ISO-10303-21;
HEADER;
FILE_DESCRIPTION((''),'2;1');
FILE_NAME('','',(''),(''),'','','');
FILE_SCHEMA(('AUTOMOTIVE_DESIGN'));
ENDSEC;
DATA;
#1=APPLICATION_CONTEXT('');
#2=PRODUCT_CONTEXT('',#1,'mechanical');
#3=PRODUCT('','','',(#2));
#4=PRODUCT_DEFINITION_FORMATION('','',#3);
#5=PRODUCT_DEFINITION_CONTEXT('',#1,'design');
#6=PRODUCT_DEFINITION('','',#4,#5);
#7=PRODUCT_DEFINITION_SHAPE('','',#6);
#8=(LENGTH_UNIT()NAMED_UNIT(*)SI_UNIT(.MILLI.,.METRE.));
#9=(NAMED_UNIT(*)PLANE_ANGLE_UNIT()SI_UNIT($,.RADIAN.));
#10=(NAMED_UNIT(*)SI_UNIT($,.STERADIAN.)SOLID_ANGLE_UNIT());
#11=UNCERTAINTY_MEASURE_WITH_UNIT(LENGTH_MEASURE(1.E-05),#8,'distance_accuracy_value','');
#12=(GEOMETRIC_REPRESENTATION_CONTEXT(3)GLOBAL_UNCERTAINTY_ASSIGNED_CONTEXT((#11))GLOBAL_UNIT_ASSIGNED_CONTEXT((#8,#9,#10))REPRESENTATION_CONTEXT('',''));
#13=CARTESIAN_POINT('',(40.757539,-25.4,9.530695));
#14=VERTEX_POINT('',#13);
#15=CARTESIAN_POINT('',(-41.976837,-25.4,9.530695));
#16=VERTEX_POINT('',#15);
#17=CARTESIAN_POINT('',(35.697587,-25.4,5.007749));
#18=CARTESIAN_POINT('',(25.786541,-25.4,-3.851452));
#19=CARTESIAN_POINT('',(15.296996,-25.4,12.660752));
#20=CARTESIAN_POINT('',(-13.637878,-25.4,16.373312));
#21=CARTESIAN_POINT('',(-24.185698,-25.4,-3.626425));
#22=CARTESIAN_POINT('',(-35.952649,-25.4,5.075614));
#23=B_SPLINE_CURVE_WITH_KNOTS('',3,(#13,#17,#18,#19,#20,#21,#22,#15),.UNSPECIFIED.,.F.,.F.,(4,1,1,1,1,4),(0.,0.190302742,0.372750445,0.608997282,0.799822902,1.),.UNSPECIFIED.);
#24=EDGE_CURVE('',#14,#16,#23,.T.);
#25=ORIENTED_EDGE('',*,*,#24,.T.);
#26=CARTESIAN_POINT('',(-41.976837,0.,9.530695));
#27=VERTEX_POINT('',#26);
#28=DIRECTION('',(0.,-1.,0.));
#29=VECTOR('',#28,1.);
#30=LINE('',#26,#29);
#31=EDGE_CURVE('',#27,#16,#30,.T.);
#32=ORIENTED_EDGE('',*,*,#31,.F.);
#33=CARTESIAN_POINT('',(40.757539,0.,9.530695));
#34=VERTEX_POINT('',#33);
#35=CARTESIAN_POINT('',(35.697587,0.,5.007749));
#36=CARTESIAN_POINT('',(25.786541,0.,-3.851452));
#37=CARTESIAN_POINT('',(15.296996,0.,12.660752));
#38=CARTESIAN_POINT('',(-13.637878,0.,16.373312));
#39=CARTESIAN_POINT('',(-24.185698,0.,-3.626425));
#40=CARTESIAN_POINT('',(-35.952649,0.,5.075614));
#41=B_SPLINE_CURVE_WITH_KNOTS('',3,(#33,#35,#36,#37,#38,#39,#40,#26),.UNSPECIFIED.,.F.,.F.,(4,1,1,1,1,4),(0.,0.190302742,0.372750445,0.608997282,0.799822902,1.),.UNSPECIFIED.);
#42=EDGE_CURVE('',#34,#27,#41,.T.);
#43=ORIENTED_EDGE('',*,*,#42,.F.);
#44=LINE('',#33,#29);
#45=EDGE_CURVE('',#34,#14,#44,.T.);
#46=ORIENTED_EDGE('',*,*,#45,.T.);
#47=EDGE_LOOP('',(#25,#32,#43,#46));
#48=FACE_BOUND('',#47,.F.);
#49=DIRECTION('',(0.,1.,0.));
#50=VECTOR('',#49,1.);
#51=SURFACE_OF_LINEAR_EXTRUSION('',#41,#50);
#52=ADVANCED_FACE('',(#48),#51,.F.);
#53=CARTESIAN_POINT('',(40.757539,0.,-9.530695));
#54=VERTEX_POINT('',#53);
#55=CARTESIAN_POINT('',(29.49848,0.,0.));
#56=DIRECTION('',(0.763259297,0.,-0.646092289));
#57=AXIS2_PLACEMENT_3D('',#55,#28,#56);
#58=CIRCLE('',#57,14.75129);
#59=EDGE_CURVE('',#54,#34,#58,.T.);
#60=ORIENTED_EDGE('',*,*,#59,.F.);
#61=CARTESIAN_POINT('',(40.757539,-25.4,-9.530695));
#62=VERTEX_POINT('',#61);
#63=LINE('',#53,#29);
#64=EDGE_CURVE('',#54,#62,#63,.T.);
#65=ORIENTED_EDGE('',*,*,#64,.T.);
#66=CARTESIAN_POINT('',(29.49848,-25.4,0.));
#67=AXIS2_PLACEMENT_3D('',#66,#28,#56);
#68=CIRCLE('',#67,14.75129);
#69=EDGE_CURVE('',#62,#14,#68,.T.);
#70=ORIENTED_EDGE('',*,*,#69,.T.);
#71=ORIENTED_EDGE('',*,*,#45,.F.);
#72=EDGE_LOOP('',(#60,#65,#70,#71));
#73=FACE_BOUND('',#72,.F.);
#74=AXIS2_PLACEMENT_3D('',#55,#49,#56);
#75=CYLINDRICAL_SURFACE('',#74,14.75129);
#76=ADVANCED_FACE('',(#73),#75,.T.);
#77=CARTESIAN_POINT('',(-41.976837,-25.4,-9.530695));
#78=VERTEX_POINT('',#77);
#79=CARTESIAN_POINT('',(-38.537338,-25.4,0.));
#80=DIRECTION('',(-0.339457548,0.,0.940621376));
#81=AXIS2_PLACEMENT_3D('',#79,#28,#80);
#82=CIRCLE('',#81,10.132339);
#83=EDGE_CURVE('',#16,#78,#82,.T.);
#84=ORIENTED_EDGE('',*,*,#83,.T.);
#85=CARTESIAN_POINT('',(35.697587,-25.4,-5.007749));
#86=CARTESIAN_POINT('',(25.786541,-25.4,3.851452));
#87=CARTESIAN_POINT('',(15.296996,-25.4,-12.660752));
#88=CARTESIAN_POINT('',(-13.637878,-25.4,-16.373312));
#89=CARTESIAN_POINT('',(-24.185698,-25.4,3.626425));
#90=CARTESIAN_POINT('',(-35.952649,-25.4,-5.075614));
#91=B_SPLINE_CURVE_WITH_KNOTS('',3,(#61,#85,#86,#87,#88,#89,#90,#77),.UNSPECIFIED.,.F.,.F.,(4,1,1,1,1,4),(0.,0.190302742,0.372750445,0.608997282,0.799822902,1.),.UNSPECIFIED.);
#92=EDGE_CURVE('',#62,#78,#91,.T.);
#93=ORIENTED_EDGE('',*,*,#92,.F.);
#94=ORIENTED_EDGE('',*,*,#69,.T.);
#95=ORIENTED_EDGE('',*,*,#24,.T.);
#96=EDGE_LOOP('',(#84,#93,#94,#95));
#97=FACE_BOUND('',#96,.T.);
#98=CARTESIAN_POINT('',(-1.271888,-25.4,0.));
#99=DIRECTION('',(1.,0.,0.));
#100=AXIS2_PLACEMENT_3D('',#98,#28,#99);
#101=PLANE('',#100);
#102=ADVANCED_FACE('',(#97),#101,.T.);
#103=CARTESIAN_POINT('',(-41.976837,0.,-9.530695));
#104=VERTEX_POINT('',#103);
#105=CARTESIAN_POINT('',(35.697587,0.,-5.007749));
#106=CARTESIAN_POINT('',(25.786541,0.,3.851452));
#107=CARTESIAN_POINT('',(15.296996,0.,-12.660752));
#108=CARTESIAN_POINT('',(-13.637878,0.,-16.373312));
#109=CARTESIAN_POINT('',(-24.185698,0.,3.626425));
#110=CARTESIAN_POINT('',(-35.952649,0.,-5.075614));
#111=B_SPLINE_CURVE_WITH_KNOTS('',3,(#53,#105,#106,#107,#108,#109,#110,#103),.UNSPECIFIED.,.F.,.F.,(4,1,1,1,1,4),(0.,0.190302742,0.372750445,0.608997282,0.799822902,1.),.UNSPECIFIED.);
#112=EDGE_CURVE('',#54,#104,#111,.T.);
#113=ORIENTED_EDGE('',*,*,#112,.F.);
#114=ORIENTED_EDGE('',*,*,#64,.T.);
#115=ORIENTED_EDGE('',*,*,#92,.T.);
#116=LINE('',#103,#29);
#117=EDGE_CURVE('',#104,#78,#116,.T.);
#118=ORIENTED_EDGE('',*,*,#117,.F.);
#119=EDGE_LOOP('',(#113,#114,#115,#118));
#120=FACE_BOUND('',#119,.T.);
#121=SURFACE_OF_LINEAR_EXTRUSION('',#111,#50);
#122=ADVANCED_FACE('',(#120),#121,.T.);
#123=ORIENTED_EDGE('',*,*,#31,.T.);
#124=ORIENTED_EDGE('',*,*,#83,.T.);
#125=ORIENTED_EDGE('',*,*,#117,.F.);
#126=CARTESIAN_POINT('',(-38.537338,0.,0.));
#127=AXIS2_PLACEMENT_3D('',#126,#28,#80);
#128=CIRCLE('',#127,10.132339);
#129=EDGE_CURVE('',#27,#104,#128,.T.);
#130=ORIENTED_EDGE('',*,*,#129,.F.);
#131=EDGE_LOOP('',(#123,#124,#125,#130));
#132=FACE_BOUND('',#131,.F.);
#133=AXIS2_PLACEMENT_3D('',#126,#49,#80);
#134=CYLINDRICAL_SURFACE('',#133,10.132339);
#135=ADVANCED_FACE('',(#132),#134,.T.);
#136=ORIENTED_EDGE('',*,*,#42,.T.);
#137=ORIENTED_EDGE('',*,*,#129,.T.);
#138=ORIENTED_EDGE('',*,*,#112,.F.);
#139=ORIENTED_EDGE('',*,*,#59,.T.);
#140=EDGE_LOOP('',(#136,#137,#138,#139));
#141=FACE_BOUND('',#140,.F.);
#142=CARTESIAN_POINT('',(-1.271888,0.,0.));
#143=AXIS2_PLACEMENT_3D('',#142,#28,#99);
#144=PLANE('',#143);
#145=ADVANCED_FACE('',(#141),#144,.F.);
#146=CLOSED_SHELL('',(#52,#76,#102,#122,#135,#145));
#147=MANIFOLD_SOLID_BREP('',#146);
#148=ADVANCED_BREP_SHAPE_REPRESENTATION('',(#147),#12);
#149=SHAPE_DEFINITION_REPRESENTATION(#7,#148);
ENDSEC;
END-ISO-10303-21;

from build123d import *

# Parameters (mm, degrees)
F1_DEPTH = 25.4


with BuildPart() as f1:
    # F0 (on Front) → F1 (new body)
    with BuildSketch(Plane.XZ):
        with BuildLine():
            ThreePointArc((40.7575390412, -9.5306946916), (44.2497698, 0), (40.7575390412, 9.5306946916))
            add(Edge.make_bspline(
                [(40.7575390412, 9.5306946916), (35.6975871344, 5.0077485153), (25.7865406262, -3.8514522701), (15.2969958061, 12.6607515694), (-13.6378778073, 16.3733116989), (-24.185698098, -3.626424955), (-35.9526487447, 5.0756135752), (-41.9768371509, 9.5306946916)],
                knots=[0, 0, 0, 0, 0.1903027421, 0.3727504454, 0.6089972825, 0.7998229016, 1, 1, 1, 1], degree=3))
            ThreePointArc((-41.9768371509, 9.5306946916), (-48.6696772277, 0), (-41.9768371509, -9.5306946916))
            add(Edge.make_bspline(
                [(40.7575390412, -9.5306946916), (35.6975871344, -5.0077485153), (25.7865406262, 3.8514522701), (15.2969958061, -12.6607515694), (-13.6378778073, -16.3733116989), (-24.185698098, 3.626424955), (-35.9526487447, -5.0756135752), (-41.9768371509, -9.5306946916)],
                knots=[0, 0, 0, 0, 0.1903027421, 0.3727504454, 0.6089972825, 0.7998229016, 1, 1, 1, 1], degree=3))
        make_face()
    extrude(amount=F1_DEPTH)


solid = f1.part
